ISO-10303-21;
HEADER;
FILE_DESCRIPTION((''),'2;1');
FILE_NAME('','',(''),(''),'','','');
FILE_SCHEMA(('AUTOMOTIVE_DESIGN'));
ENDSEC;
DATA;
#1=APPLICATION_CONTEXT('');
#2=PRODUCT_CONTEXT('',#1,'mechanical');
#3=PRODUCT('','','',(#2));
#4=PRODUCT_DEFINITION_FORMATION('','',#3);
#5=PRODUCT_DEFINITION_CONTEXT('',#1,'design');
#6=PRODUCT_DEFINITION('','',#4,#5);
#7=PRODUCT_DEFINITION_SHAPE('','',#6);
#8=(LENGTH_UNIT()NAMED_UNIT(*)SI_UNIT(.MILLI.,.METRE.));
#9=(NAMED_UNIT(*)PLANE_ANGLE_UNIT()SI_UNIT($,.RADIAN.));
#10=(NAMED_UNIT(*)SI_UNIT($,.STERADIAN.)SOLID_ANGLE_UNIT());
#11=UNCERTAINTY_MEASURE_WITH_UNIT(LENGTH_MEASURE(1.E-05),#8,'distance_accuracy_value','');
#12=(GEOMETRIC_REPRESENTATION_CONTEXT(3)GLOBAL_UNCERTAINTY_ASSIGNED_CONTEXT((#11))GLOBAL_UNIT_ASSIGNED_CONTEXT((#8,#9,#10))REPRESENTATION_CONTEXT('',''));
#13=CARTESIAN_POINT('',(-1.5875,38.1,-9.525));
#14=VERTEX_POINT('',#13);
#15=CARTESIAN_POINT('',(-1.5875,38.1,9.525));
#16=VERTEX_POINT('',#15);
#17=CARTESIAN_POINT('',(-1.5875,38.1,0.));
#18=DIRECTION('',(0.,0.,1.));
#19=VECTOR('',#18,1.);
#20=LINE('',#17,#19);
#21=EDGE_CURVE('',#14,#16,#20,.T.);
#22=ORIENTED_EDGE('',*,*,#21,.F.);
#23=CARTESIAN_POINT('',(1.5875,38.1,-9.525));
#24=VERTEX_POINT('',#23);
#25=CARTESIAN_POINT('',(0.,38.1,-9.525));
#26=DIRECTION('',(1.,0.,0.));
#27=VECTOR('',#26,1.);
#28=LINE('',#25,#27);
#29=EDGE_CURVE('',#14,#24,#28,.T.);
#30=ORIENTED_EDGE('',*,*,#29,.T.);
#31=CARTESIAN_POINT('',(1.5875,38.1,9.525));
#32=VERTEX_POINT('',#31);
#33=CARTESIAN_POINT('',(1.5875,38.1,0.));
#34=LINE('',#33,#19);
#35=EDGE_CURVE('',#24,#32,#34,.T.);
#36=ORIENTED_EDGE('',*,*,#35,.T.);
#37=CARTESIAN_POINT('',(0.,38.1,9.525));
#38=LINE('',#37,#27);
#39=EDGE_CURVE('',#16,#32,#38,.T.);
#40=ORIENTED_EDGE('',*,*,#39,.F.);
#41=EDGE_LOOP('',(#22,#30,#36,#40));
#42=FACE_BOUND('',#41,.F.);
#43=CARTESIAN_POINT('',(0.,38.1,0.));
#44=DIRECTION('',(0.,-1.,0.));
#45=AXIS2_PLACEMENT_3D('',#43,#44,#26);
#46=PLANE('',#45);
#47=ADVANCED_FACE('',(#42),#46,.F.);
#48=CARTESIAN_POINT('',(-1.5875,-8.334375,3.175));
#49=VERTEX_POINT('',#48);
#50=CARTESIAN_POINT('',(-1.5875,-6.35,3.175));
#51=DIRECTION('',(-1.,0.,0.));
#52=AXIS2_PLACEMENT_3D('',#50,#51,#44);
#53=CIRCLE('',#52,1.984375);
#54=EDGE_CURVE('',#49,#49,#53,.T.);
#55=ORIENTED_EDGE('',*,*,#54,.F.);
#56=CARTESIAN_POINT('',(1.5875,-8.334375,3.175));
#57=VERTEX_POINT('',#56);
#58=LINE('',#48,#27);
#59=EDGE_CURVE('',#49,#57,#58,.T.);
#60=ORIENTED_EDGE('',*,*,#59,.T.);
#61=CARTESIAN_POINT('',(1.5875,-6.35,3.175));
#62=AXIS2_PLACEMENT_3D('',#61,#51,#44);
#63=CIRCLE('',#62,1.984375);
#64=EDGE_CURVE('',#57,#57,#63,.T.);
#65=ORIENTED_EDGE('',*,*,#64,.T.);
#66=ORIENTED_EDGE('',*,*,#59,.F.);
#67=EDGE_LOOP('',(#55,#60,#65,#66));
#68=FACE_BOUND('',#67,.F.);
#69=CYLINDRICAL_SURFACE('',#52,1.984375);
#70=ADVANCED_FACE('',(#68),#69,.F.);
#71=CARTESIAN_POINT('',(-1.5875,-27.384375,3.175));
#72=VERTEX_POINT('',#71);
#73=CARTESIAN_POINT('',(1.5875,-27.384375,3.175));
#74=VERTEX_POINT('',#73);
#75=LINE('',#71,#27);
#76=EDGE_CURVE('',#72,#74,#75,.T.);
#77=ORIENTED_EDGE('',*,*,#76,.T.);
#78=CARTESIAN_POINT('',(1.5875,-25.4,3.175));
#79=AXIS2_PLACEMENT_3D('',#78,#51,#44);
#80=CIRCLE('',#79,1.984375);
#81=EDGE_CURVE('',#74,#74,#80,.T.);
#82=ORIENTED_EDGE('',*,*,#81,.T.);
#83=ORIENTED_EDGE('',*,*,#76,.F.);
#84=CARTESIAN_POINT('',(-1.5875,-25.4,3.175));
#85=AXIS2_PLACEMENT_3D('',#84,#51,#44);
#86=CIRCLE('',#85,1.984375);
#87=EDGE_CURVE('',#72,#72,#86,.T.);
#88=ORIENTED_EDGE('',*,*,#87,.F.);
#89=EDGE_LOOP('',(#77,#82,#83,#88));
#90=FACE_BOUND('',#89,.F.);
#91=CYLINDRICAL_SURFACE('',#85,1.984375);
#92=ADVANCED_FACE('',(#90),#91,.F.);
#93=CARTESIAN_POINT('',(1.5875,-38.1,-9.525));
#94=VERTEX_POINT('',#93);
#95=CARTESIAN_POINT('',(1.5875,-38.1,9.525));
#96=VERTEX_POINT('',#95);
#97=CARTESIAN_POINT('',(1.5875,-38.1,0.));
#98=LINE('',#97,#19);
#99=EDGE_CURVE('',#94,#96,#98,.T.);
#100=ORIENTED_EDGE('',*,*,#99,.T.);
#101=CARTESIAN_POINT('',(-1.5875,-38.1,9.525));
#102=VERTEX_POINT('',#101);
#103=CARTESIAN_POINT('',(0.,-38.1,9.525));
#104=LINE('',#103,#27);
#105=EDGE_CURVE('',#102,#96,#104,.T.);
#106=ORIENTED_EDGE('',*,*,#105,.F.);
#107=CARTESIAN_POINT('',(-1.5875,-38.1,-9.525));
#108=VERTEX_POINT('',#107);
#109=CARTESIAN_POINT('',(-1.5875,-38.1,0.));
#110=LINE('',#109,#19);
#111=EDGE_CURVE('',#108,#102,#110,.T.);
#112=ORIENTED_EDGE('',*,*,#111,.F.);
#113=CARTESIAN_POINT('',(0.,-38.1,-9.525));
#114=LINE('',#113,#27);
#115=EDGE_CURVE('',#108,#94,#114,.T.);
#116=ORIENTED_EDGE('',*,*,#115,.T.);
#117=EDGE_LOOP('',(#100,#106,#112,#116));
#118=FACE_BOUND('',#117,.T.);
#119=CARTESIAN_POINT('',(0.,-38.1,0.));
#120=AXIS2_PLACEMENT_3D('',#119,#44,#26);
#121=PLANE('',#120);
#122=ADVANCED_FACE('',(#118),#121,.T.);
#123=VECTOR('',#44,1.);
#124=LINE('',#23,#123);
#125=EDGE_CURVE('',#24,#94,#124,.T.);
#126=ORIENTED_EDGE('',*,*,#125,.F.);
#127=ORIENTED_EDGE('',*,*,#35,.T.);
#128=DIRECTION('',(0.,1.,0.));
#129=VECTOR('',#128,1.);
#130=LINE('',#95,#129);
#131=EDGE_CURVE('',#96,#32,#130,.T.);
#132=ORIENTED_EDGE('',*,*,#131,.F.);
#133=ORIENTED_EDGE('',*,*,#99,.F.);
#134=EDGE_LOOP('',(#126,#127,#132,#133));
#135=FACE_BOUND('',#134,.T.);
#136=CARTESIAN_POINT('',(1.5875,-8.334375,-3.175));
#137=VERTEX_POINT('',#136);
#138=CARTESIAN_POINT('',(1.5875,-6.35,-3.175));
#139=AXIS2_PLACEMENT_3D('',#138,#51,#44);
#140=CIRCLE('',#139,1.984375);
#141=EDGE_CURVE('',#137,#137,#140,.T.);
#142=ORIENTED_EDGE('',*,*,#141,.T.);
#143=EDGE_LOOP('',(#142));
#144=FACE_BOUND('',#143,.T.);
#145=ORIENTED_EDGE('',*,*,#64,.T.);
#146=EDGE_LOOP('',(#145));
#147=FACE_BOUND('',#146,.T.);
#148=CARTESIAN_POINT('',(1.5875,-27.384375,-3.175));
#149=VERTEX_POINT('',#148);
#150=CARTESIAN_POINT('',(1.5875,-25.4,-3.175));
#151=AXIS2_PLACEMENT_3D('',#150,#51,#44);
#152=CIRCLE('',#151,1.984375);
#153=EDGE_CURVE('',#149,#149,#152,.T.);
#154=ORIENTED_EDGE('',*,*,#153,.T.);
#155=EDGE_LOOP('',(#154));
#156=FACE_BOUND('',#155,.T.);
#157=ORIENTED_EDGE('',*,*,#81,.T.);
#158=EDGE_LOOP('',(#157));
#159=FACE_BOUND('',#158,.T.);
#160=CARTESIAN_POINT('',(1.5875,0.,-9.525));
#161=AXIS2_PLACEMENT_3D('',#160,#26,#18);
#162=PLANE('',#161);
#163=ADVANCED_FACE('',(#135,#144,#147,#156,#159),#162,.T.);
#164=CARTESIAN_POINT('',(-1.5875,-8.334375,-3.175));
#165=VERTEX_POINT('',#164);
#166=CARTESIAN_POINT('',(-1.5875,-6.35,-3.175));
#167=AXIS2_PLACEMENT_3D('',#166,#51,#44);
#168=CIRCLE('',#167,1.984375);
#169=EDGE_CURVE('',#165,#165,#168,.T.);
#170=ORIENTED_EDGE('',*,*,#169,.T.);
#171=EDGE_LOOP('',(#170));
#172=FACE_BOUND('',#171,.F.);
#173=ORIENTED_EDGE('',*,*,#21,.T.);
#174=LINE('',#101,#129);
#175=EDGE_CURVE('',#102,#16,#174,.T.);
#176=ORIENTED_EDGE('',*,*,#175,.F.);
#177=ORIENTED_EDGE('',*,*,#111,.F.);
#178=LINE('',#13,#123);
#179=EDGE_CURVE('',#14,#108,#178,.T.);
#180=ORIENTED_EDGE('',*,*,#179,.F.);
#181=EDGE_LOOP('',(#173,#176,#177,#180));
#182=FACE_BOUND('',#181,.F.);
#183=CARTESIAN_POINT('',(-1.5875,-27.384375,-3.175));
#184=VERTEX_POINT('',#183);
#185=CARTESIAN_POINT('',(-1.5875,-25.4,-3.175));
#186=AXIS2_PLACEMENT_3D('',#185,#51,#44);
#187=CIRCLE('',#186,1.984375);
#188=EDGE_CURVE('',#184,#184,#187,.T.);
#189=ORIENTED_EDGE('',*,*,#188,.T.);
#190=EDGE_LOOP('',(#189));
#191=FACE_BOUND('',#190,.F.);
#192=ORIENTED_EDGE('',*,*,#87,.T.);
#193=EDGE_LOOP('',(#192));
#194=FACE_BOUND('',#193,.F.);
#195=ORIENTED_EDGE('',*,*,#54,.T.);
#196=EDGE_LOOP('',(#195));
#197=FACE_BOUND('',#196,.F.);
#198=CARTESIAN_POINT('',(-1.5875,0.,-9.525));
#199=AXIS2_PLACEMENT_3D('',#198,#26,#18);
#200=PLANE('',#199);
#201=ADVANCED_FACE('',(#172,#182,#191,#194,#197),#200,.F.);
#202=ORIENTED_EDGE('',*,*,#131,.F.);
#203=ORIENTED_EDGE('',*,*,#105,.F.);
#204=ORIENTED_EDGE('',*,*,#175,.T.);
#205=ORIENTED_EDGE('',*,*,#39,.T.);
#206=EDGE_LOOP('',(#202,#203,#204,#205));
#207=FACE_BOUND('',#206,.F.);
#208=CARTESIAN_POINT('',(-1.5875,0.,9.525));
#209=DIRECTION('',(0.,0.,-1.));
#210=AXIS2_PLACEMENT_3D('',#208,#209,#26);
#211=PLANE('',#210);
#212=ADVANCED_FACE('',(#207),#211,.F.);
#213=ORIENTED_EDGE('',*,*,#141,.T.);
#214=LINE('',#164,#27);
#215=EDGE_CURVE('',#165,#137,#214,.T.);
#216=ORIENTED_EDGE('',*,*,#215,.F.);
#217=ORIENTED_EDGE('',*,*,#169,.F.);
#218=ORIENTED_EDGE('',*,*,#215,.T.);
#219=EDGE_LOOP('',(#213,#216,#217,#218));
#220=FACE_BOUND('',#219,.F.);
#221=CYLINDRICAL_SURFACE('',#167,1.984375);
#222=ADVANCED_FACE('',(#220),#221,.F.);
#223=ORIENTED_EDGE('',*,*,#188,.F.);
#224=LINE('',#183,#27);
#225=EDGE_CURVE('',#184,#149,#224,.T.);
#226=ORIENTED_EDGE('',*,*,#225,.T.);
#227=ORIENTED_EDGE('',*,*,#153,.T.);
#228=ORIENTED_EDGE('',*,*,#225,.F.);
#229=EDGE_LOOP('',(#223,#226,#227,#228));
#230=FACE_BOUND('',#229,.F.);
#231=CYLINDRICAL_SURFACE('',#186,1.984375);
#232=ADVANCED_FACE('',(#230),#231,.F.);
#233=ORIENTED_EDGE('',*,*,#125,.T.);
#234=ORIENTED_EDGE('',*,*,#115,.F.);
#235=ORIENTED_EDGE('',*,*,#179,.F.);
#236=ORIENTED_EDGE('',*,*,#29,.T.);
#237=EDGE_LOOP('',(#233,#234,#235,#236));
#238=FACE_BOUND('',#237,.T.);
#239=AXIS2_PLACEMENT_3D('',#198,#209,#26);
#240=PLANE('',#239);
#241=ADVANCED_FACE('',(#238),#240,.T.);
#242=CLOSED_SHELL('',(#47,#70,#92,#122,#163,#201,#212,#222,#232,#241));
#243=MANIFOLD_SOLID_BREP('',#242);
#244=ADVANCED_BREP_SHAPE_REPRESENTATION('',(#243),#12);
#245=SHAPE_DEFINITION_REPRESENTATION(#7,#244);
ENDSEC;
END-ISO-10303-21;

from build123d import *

# Parameters (mm, degrees)
F0_W     = 3.175
F0_H     = 19.05
F1_DEPTH = 38.1
F4_R     = 1.984375
F6_DEPTH = 3.175
F5_R     = 1.984375
F7_DEPTH = 3.175
F3_R     = 1.984375
F8_DEPTH = 3.175
F2_R     = 1.984375
F9_DEPTH = 3.175


with BuildPart() as f1:
    # F0 (on Front) → F1 (new body, symmetric)
    with BuildSketch(Plane.XZ):
        Rectangle(F0_W, F0_H)
    extrude(amount=F1_DEPTH, both=True)

    # F4 (on face) → F6 (cut)
    with BuildSketch(Plane(origin=(-1.5875, 0, 0), x_dir=(0, -1, 0), z_dir=(-1, 0, 0))):
        with Locations((6.35, 3.175)):
            Circle(F4_R)
    extrude(amount=-F6_DEPTH, mode=Mode.SUBTRACT)

    # F5 (on face) → F7 (cut)
    with BuildSketch(Plane(origin=(-1.5875, 0, 0), x_dir=(0, -1, 0), z_dir=(-1, 0, 0))):
        with Locations((6.35, -3.175)):
            Circle(F5_R)
    extrude(amount=-F7_DEPTH, mode=Mode.SUBTRACT)

    # F3 (on face) → F8 (cut)
    with BuildSketch(Plane(origin=(-1.5875, 0, 0), x_dir=(0, -1, 0), z_dir=(-1, 0, 0))):
        with Locations((25.4, 3.175)):
            Circle(F3_R)
    extrude(amount=-F8_DEPTH, mode=Mode.SUBTRACT)

    # F2 (on face) → F9 (cut)
    with BuildSketch(Plane(origin=(-1.5875, 0, 0), x_dir=(0, -1, 0), z_dir=(-1, 0, 0))):
        with Locations((25.4, -3.175)):
            Circle(F2_R)
    extrude(amount=-F9_DEPTH, mode=Mode.SUBTRACT)


solid = f1.part
